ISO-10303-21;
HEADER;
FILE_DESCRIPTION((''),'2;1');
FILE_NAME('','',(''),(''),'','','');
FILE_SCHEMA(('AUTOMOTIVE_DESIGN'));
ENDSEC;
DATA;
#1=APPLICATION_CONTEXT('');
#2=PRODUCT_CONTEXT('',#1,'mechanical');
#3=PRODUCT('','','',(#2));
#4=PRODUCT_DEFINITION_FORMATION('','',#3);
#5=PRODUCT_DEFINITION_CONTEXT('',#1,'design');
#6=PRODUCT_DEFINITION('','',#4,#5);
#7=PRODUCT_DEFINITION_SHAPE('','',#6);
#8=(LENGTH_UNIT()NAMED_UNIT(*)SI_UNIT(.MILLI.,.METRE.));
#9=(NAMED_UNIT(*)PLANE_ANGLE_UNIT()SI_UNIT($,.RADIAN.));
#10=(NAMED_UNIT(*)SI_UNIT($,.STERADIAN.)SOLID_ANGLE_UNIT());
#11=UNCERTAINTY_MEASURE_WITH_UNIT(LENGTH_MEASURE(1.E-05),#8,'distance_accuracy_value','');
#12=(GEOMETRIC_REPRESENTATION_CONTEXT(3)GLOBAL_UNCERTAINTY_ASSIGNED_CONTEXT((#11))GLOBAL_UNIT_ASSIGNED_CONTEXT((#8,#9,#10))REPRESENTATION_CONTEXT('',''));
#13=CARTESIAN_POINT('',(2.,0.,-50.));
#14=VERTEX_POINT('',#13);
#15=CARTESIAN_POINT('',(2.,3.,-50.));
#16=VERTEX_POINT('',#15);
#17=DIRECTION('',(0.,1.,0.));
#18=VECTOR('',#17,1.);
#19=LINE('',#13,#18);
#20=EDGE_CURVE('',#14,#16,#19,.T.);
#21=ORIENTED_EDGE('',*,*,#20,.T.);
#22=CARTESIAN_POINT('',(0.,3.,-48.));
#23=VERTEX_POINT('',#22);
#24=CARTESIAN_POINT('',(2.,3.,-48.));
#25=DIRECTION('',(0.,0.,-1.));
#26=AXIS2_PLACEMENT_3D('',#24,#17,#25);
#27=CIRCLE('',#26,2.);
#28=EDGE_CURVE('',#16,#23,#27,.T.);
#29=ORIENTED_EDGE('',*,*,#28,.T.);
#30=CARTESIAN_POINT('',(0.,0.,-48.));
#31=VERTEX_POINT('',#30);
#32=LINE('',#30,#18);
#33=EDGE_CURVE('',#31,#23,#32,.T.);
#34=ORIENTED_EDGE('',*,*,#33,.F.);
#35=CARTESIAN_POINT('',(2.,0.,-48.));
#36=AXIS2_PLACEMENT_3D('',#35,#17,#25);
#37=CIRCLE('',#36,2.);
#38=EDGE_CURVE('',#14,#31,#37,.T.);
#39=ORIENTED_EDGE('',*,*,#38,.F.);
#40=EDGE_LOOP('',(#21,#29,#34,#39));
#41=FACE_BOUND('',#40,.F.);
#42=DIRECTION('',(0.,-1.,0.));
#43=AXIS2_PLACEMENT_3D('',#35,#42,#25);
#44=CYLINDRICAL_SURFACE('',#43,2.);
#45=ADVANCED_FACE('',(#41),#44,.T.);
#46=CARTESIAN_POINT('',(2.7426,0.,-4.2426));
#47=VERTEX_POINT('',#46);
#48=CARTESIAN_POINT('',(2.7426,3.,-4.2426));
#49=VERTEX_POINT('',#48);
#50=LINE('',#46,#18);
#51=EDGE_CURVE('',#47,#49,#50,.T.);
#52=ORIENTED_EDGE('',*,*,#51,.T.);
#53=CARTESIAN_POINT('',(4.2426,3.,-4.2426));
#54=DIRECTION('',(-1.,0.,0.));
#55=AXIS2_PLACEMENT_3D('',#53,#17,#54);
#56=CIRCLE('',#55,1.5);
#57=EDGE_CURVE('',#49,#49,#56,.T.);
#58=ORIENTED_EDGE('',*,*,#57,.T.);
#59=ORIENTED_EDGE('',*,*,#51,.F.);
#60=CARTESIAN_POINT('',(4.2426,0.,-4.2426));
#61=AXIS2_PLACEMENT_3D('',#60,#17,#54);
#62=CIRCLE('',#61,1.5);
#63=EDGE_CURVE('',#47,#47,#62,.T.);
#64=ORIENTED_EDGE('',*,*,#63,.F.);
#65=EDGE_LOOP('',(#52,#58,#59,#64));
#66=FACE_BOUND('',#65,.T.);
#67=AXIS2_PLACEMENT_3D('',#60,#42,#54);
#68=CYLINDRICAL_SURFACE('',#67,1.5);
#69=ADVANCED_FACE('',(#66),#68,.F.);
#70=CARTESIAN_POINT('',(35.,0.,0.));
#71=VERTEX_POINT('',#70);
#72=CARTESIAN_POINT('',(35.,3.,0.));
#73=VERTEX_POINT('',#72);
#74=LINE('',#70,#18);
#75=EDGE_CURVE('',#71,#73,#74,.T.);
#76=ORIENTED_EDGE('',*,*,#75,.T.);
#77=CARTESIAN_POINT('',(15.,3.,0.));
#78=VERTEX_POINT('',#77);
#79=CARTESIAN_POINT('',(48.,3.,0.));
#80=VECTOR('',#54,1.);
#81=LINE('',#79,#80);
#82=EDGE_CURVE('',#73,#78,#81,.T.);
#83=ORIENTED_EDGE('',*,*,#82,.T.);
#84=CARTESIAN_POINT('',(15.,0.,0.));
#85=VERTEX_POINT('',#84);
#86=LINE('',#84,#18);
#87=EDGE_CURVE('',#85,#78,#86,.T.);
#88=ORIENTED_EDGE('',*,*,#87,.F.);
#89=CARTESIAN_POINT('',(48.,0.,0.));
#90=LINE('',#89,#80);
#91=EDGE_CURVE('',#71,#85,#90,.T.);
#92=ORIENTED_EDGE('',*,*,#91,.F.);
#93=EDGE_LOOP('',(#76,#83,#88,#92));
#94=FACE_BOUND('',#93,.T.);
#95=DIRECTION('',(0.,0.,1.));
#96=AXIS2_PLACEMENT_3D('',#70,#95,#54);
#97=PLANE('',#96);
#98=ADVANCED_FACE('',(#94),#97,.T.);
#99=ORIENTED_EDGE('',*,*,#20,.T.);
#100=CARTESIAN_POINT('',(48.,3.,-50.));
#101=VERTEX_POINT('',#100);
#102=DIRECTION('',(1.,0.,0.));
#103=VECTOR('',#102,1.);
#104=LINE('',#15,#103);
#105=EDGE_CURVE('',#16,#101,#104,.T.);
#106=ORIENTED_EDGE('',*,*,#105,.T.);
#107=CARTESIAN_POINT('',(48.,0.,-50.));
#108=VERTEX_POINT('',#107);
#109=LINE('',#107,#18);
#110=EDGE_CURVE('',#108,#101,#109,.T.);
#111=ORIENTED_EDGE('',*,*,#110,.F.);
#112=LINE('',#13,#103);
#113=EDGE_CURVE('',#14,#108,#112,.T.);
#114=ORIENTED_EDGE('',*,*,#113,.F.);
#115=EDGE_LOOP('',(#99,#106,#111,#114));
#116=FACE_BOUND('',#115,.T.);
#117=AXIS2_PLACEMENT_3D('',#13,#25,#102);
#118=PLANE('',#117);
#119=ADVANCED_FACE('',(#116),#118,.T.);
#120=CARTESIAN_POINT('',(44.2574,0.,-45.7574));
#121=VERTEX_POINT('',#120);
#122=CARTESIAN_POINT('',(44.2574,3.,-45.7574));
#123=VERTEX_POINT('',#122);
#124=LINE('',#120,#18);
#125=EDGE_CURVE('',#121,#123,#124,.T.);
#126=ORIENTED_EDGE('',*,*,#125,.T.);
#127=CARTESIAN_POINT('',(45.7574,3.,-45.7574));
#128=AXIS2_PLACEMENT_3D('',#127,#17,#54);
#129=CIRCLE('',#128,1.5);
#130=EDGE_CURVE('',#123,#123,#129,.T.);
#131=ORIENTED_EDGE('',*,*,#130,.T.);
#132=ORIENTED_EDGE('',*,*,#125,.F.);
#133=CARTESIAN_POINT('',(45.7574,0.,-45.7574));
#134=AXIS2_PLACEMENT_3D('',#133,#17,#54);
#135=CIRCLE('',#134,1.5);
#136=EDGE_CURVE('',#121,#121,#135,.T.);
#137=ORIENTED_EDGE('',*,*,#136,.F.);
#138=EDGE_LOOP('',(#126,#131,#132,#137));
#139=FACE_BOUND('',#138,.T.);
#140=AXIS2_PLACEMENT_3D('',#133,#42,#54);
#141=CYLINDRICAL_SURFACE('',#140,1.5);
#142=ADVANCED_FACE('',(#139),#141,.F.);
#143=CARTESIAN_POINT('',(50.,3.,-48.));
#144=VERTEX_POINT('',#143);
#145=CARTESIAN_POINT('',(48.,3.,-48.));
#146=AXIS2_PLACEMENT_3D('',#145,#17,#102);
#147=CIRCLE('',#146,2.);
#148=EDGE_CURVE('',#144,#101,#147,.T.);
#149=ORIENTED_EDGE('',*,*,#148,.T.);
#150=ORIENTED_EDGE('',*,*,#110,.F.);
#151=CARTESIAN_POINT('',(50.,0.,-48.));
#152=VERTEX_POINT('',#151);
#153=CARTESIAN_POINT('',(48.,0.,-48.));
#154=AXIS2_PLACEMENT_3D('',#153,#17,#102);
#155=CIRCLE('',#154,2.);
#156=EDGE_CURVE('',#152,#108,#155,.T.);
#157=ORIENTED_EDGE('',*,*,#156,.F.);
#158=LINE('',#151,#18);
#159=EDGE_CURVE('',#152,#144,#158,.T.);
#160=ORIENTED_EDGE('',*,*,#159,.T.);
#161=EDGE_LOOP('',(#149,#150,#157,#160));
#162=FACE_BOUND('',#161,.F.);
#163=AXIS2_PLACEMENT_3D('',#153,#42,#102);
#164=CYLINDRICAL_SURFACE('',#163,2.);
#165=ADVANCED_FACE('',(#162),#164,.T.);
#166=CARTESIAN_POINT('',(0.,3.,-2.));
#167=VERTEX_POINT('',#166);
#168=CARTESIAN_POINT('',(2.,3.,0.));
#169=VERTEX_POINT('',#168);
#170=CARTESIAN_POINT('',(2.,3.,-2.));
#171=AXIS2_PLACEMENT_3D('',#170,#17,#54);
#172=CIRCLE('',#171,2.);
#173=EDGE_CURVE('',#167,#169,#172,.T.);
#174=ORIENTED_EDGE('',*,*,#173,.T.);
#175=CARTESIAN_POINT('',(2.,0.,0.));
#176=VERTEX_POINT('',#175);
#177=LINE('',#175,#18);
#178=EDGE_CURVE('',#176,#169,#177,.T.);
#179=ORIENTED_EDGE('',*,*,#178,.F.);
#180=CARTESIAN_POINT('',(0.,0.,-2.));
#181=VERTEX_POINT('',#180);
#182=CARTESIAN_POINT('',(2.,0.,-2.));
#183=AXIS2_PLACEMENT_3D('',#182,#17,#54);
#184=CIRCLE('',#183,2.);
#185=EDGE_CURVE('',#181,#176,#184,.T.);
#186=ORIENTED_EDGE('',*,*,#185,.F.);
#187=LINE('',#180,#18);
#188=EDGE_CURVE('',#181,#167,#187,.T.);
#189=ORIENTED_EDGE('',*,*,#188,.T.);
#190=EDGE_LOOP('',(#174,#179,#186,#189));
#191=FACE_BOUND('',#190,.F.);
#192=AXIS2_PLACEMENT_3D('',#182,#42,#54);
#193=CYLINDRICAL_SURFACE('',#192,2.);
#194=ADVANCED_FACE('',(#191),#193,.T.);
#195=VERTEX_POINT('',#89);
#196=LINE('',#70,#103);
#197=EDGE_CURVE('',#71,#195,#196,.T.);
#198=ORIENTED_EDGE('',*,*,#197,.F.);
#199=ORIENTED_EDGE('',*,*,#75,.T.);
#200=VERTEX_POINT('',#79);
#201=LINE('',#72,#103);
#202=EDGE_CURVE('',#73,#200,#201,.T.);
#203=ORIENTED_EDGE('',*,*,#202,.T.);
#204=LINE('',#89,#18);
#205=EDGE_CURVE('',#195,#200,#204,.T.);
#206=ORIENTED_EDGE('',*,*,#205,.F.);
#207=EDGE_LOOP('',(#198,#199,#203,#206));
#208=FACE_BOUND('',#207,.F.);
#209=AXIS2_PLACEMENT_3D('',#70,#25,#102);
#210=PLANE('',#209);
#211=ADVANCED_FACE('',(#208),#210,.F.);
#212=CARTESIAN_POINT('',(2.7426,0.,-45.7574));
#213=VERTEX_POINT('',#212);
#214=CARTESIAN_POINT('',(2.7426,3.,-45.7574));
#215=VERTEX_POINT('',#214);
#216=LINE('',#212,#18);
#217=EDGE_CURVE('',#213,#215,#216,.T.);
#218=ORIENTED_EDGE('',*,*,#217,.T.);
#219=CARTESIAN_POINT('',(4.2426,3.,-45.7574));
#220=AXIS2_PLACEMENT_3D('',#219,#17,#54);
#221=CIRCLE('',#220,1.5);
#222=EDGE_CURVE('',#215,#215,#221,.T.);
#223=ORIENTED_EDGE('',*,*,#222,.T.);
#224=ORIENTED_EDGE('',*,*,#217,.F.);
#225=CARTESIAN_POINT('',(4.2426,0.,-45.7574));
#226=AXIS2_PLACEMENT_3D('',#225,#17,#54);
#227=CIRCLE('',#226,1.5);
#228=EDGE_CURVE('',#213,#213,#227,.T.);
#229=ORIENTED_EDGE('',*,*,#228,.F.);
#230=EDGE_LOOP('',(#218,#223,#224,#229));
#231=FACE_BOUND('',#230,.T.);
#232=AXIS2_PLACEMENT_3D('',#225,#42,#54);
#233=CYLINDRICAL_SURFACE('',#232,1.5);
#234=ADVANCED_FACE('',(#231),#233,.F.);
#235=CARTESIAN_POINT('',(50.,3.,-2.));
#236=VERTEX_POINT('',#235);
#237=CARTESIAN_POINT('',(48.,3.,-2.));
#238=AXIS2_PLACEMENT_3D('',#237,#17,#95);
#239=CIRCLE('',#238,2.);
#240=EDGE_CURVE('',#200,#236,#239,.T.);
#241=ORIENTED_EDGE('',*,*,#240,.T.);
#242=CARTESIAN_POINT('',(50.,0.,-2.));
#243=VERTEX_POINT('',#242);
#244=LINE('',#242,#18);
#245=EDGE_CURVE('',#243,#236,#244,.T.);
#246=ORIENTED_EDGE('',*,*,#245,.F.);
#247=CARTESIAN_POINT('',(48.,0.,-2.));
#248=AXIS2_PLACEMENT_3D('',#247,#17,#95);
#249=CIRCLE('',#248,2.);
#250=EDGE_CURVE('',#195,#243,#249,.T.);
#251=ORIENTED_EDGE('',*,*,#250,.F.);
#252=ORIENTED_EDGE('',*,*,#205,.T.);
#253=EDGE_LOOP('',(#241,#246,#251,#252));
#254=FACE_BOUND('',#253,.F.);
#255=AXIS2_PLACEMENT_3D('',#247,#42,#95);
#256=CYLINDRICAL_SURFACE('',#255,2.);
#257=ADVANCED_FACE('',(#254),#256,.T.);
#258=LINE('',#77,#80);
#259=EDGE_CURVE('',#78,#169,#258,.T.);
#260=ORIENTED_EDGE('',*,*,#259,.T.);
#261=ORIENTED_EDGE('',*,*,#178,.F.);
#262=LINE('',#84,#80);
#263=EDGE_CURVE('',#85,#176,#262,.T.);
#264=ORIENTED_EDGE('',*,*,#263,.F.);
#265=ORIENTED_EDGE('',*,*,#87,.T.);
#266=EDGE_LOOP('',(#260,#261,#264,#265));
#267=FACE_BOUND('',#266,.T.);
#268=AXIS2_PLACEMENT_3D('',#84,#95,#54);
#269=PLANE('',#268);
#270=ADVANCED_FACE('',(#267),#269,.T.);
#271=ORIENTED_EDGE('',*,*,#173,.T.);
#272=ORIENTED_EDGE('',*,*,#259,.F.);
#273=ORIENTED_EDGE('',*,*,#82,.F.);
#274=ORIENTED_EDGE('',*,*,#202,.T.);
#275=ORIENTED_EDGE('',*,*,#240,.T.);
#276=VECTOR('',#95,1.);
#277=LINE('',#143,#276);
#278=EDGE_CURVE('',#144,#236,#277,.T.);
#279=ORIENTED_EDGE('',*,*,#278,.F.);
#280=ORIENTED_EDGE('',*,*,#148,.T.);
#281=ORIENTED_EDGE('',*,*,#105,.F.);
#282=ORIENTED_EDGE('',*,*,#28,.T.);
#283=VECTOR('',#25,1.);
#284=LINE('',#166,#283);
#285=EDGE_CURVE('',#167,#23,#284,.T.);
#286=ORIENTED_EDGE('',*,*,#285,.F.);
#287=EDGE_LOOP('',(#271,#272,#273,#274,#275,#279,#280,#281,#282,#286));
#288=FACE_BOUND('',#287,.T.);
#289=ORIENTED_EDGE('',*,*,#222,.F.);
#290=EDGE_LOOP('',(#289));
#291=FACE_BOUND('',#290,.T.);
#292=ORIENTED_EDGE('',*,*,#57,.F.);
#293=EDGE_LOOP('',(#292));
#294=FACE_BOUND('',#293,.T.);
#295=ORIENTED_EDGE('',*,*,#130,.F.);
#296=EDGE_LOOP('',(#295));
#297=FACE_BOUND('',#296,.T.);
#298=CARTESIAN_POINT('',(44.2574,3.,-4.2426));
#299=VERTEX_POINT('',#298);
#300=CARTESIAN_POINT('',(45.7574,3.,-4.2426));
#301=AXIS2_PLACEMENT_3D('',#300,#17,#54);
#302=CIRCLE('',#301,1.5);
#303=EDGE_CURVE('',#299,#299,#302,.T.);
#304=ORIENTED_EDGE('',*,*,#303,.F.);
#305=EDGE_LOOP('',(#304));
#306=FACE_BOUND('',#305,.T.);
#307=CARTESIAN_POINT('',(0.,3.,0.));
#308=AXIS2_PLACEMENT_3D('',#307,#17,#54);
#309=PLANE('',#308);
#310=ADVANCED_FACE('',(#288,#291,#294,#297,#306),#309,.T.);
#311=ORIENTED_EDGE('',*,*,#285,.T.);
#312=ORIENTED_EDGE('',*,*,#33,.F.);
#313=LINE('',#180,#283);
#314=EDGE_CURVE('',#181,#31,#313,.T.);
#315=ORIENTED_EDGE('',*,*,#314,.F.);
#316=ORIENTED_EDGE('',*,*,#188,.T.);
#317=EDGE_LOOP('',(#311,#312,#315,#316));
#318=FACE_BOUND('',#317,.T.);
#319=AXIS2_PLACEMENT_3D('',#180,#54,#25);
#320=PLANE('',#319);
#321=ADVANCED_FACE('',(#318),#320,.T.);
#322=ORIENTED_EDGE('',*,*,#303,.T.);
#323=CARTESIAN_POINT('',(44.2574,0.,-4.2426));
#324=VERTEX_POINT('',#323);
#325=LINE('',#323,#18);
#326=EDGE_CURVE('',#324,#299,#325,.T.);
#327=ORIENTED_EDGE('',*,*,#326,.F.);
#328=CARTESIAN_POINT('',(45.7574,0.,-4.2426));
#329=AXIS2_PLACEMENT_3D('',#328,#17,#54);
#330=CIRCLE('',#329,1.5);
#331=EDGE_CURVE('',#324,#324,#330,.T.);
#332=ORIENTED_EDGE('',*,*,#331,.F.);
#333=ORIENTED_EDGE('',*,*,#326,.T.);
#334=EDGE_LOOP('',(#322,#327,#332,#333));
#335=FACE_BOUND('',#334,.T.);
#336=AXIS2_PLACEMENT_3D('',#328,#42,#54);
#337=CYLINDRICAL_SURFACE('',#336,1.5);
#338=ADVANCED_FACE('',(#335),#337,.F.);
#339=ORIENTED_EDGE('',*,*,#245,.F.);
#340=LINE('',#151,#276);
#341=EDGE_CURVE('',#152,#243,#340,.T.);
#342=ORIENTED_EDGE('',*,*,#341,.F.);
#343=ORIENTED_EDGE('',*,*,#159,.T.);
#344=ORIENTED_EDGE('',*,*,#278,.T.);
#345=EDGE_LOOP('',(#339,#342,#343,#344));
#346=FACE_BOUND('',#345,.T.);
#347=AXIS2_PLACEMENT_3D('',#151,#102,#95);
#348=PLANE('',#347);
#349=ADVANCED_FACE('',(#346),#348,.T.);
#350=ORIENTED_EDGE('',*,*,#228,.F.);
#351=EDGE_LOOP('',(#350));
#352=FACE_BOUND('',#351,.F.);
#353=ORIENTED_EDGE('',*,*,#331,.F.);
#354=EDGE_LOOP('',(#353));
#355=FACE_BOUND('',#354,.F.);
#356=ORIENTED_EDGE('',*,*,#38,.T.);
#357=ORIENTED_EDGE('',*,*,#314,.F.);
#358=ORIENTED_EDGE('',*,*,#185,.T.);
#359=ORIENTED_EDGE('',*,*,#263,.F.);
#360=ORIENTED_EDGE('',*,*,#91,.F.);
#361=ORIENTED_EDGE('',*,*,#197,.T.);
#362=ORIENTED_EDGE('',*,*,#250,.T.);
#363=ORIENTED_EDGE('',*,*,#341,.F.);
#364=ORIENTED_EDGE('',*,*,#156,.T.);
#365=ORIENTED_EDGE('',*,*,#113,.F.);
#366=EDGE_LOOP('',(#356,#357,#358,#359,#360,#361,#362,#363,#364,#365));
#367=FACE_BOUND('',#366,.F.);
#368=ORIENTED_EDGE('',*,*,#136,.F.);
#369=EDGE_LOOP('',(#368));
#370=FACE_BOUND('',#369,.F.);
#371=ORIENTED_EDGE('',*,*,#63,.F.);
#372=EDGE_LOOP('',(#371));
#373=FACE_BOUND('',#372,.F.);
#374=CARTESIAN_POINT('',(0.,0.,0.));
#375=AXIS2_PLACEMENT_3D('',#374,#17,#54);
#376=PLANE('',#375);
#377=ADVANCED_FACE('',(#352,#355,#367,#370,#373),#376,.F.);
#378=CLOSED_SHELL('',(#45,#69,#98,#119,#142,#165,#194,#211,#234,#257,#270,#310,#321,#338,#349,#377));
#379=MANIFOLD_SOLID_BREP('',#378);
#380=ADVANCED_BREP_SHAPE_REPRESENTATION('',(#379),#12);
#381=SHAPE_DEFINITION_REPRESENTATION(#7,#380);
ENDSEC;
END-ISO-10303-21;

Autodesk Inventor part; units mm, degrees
ref_plane "YZ Plane" through (0, 0, 0) normal (1, 0, 0) x (0, 1, 0)
ref_plane "XZ Plane" through (0, 0, 0) normal (0, 1, 0) x (-1, 0, 0)
ref_plane "XY Plane" through (0, 0, 0) normal (0, 0, 1) x (1, 0, 0)
sketch "Sketch3" plane through (0, 0, 0) normal (0, 1, 0) x (-1, 0, 0)
  line L0 (-15, 0) -> (-2, 0)
  line L1 (0, -2) -> (0, -48)
  line L2 (-2, -50) -> (-48, -50)
  line L3 (-50, -48) -> (-50, -2)
  circle A0 centre (-4.2426, -4.2426) radius 1.5
  circle A1 centre (-4.2426, -45.7574) radius 1.5
  circle A2 centre (-45.7574, -45.7574) radius 1.5
  circle A3 centre (-45.7574, -4.2426) radius 1.5
  line L4 (-35, 0) -> (-48, 0)
  arc A4 (0, -2) -> (-2, 0) centre (-2, -2) ccw
  arc A5 (-48, 0) -> (-50, -2) centre (-48, -2) ccw
  arc A6 (-50, -48) -> (-48, -50) centre (-48, -48) ccw
  arc A7 (-2, -50) -> (0, -48) centre (-2, -48) ccw
  line L5 (-48, 0) -> (-2, 0)
  point P0 (0, 0)
  point P1 (0, 0)
  point P2 (-50, 0)
  point P3 (0, 0)
  point P4 (0, -50)
  dimension "d19" = 50
  dimension "d20" = 50
  dimension "d21" = 3
  dimension "d22" = 3
  dimension "d23" = 3
  dimension "d24" = 3
  dimension "d32" = 2
extrude "Extrusion2" add sketch "Sketch3" along normal blind 3
properties part number "Batt_Plate_FPV"
